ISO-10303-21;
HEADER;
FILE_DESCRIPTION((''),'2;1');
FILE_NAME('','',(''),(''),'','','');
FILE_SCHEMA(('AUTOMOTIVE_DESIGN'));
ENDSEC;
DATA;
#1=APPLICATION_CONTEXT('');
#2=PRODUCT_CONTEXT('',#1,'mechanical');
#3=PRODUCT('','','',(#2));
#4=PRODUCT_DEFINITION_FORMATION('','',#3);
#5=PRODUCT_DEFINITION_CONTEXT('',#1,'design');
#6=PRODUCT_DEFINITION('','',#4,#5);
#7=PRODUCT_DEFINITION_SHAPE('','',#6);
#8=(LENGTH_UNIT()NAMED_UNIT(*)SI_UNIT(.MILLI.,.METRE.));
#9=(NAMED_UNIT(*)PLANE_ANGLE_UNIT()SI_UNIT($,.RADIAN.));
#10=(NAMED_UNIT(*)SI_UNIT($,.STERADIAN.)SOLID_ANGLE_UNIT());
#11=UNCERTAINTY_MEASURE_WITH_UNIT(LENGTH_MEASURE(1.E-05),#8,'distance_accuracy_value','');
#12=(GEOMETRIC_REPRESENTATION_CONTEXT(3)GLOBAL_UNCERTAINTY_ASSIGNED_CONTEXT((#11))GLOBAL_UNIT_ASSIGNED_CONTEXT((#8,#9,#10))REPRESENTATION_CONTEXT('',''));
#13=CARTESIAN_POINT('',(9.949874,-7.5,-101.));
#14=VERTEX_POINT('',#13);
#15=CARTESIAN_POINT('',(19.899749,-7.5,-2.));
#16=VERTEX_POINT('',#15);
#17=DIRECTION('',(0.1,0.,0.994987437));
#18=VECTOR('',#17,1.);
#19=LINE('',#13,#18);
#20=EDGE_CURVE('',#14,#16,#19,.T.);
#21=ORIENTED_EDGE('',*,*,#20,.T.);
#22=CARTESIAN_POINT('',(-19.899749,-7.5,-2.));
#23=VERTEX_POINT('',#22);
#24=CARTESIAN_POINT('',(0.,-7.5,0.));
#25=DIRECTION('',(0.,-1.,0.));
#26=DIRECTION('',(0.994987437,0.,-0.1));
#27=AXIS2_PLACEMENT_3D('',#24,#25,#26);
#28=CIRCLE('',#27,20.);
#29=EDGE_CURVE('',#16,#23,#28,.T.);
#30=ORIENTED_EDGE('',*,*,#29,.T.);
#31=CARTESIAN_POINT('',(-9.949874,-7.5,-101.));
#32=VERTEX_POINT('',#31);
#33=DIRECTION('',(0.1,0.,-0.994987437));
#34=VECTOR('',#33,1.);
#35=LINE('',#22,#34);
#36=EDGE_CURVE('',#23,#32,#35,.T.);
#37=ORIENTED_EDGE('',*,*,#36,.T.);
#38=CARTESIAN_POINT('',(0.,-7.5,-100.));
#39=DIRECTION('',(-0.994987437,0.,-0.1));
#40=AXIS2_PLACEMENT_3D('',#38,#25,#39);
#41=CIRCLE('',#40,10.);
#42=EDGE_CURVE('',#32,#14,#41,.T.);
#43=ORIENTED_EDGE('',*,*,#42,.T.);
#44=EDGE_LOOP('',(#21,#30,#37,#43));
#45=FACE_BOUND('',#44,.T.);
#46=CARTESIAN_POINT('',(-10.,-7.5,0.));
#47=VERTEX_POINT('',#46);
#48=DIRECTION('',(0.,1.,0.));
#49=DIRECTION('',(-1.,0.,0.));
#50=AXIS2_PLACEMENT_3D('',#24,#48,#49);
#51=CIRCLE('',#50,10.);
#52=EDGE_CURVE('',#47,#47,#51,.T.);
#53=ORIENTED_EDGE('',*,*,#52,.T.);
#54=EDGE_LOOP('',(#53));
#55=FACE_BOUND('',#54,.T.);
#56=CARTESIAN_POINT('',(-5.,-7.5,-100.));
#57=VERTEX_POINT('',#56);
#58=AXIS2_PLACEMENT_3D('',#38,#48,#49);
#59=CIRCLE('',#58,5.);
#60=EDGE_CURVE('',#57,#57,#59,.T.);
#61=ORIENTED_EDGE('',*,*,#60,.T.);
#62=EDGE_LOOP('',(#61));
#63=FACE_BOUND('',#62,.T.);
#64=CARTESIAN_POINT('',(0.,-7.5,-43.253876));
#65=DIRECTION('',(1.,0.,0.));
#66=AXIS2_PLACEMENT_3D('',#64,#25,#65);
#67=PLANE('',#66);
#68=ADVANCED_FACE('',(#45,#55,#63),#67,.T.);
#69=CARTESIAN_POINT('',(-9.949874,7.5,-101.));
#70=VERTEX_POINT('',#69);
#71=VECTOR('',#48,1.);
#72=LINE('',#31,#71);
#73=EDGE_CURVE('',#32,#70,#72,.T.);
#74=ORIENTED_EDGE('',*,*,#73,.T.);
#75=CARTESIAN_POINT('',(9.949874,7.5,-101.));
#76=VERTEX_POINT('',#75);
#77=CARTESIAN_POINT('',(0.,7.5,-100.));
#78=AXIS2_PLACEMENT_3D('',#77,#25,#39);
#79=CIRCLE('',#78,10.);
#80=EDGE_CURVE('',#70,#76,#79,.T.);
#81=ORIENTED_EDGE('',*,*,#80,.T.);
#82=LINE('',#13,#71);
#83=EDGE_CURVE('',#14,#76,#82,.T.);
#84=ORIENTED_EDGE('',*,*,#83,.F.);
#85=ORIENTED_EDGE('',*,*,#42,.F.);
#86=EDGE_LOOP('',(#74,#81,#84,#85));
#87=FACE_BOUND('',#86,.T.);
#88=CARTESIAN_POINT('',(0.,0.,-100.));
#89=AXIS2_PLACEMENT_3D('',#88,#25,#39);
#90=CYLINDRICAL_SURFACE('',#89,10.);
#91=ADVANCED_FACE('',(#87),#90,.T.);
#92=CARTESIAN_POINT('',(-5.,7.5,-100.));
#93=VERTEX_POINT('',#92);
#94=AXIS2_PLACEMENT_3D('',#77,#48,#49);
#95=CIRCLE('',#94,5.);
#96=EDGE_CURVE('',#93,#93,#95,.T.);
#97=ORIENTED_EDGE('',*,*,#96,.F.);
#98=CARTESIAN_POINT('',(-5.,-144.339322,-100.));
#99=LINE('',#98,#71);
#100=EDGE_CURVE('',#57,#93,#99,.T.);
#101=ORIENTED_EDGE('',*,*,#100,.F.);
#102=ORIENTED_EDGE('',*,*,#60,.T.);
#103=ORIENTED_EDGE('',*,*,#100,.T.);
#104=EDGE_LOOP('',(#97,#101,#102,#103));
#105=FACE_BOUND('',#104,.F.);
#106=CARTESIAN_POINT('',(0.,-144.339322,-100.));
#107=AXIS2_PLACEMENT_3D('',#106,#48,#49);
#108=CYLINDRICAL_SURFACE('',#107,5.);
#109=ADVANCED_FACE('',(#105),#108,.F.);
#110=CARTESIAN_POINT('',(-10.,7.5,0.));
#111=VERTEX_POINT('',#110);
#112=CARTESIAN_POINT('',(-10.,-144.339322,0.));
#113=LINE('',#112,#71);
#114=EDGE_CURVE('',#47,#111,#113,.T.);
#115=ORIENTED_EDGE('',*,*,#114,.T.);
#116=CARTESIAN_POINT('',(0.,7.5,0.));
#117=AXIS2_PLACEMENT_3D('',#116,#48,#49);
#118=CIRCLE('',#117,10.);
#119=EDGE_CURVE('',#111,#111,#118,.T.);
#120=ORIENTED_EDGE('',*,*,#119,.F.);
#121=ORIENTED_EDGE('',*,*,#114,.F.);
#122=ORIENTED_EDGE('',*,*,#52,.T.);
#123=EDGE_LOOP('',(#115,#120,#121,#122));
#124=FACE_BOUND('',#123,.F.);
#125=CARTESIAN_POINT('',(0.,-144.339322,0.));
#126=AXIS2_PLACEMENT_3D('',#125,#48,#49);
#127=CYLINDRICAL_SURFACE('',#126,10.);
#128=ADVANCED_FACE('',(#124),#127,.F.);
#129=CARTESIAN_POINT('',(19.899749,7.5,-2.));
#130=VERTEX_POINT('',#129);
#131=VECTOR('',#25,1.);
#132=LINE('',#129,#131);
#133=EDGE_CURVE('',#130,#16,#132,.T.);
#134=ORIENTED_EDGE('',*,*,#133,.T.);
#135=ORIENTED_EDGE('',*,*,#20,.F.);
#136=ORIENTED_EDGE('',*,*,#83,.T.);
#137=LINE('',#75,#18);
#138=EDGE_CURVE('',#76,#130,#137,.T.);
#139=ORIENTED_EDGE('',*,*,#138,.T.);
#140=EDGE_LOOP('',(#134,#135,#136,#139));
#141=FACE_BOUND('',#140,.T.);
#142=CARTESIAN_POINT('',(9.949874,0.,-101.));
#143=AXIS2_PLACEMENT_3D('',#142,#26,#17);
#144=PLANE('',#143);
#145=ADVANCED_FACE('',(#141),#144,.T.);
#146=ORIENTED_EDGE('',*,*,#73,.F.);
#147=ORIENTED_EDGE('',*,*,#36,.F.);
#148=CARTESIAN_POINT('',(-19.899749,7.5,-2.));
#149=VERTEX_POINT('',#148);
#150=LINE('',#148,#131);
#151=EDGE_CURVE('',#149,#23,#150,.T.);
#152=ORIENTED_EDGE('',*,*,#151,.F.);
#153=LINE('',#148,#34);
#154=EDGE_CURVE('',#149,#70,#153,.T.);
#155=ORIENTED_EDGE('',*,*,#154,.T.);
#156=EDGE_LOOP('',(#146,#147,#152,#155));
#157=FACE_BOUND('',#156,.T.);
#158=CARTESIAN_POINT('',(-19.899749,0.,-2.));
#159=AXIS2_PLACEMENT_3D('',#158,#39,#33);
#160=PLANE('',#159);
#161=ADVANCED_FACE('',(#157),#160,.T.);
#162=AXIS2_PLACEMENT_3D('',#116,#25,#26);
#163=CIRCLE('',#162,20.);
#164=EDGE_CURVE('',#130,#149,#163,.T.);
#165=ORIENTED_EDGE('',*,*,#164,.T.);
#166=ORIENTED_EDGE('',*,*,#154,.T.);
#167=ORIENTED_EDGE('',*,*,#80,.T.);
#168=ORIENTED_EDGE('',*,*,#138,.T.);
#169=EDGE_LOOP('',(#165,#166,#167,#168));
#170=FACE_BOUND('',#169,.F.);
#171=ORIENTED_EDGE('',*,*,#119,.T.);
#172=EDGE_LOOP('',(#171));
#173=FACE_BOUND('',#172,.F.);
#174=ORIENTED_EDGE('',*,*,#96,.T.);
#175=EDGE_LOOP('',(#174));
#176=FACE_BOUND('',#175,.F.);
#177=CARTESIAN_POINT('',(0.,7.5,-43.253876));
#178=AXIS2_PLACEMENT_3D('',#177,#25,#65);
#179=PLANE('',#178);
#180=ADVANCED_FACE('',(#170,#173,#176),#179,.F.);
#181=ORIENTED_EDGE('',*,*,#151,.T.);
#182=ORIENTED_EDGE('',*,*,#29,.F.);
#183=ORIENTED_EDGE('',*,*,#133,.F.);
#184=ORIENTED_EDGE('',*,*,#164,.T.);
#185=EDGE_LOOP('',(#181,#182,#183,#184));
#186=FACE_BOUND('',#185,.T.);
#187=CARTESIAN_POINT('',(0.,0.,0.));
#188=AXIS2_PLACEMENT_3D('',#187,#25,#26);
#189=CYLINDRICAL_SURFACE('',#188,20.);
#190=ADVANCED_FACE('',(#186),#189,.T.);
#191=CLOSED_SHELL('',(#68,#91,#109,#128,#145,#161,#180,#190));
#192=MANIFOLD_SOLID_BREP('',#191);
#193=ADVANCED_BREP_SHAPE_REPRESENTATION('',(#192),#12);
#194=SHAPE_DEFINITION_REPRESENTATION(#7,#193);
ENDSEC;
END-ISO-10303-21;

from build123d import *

# Parameters (mm, degrees)
F1_DEPTH = 7.5
F3_D     = 20
F4_D     = 10


with BuildPart() as f1:
    # F0 (on Front) → F1 (new body, symmetric)
    with BuildSketch(Plane.XZ):
        with BuildLine():
            Line((9.9498743711, -101), (19.8997487421, -2))
            ThreePointArc((19.8997487421, -2), (0, 20), (-19.8997487421, -2))
            Line((-19.8997487421, -2), (-9.9498743711, -101))
            ThreePointArc((-9.9498743711, -101), (0, -110), (9.9498743711, -101))
        make_face()
    extrude(amount=F1_DEPTH, both=True)

    # F3 (through all)
    with Locations(Plane.XZ.offset(7.5)):
        with Locations((0, 0)):
            Hole(F3_D / 2)

    # F4 (through all)
    with Locations(Plane.XZ.offset(7.5)):
        with Locations((0, -100)):
            Hole(F4_D / 2)


solid = f1.part
